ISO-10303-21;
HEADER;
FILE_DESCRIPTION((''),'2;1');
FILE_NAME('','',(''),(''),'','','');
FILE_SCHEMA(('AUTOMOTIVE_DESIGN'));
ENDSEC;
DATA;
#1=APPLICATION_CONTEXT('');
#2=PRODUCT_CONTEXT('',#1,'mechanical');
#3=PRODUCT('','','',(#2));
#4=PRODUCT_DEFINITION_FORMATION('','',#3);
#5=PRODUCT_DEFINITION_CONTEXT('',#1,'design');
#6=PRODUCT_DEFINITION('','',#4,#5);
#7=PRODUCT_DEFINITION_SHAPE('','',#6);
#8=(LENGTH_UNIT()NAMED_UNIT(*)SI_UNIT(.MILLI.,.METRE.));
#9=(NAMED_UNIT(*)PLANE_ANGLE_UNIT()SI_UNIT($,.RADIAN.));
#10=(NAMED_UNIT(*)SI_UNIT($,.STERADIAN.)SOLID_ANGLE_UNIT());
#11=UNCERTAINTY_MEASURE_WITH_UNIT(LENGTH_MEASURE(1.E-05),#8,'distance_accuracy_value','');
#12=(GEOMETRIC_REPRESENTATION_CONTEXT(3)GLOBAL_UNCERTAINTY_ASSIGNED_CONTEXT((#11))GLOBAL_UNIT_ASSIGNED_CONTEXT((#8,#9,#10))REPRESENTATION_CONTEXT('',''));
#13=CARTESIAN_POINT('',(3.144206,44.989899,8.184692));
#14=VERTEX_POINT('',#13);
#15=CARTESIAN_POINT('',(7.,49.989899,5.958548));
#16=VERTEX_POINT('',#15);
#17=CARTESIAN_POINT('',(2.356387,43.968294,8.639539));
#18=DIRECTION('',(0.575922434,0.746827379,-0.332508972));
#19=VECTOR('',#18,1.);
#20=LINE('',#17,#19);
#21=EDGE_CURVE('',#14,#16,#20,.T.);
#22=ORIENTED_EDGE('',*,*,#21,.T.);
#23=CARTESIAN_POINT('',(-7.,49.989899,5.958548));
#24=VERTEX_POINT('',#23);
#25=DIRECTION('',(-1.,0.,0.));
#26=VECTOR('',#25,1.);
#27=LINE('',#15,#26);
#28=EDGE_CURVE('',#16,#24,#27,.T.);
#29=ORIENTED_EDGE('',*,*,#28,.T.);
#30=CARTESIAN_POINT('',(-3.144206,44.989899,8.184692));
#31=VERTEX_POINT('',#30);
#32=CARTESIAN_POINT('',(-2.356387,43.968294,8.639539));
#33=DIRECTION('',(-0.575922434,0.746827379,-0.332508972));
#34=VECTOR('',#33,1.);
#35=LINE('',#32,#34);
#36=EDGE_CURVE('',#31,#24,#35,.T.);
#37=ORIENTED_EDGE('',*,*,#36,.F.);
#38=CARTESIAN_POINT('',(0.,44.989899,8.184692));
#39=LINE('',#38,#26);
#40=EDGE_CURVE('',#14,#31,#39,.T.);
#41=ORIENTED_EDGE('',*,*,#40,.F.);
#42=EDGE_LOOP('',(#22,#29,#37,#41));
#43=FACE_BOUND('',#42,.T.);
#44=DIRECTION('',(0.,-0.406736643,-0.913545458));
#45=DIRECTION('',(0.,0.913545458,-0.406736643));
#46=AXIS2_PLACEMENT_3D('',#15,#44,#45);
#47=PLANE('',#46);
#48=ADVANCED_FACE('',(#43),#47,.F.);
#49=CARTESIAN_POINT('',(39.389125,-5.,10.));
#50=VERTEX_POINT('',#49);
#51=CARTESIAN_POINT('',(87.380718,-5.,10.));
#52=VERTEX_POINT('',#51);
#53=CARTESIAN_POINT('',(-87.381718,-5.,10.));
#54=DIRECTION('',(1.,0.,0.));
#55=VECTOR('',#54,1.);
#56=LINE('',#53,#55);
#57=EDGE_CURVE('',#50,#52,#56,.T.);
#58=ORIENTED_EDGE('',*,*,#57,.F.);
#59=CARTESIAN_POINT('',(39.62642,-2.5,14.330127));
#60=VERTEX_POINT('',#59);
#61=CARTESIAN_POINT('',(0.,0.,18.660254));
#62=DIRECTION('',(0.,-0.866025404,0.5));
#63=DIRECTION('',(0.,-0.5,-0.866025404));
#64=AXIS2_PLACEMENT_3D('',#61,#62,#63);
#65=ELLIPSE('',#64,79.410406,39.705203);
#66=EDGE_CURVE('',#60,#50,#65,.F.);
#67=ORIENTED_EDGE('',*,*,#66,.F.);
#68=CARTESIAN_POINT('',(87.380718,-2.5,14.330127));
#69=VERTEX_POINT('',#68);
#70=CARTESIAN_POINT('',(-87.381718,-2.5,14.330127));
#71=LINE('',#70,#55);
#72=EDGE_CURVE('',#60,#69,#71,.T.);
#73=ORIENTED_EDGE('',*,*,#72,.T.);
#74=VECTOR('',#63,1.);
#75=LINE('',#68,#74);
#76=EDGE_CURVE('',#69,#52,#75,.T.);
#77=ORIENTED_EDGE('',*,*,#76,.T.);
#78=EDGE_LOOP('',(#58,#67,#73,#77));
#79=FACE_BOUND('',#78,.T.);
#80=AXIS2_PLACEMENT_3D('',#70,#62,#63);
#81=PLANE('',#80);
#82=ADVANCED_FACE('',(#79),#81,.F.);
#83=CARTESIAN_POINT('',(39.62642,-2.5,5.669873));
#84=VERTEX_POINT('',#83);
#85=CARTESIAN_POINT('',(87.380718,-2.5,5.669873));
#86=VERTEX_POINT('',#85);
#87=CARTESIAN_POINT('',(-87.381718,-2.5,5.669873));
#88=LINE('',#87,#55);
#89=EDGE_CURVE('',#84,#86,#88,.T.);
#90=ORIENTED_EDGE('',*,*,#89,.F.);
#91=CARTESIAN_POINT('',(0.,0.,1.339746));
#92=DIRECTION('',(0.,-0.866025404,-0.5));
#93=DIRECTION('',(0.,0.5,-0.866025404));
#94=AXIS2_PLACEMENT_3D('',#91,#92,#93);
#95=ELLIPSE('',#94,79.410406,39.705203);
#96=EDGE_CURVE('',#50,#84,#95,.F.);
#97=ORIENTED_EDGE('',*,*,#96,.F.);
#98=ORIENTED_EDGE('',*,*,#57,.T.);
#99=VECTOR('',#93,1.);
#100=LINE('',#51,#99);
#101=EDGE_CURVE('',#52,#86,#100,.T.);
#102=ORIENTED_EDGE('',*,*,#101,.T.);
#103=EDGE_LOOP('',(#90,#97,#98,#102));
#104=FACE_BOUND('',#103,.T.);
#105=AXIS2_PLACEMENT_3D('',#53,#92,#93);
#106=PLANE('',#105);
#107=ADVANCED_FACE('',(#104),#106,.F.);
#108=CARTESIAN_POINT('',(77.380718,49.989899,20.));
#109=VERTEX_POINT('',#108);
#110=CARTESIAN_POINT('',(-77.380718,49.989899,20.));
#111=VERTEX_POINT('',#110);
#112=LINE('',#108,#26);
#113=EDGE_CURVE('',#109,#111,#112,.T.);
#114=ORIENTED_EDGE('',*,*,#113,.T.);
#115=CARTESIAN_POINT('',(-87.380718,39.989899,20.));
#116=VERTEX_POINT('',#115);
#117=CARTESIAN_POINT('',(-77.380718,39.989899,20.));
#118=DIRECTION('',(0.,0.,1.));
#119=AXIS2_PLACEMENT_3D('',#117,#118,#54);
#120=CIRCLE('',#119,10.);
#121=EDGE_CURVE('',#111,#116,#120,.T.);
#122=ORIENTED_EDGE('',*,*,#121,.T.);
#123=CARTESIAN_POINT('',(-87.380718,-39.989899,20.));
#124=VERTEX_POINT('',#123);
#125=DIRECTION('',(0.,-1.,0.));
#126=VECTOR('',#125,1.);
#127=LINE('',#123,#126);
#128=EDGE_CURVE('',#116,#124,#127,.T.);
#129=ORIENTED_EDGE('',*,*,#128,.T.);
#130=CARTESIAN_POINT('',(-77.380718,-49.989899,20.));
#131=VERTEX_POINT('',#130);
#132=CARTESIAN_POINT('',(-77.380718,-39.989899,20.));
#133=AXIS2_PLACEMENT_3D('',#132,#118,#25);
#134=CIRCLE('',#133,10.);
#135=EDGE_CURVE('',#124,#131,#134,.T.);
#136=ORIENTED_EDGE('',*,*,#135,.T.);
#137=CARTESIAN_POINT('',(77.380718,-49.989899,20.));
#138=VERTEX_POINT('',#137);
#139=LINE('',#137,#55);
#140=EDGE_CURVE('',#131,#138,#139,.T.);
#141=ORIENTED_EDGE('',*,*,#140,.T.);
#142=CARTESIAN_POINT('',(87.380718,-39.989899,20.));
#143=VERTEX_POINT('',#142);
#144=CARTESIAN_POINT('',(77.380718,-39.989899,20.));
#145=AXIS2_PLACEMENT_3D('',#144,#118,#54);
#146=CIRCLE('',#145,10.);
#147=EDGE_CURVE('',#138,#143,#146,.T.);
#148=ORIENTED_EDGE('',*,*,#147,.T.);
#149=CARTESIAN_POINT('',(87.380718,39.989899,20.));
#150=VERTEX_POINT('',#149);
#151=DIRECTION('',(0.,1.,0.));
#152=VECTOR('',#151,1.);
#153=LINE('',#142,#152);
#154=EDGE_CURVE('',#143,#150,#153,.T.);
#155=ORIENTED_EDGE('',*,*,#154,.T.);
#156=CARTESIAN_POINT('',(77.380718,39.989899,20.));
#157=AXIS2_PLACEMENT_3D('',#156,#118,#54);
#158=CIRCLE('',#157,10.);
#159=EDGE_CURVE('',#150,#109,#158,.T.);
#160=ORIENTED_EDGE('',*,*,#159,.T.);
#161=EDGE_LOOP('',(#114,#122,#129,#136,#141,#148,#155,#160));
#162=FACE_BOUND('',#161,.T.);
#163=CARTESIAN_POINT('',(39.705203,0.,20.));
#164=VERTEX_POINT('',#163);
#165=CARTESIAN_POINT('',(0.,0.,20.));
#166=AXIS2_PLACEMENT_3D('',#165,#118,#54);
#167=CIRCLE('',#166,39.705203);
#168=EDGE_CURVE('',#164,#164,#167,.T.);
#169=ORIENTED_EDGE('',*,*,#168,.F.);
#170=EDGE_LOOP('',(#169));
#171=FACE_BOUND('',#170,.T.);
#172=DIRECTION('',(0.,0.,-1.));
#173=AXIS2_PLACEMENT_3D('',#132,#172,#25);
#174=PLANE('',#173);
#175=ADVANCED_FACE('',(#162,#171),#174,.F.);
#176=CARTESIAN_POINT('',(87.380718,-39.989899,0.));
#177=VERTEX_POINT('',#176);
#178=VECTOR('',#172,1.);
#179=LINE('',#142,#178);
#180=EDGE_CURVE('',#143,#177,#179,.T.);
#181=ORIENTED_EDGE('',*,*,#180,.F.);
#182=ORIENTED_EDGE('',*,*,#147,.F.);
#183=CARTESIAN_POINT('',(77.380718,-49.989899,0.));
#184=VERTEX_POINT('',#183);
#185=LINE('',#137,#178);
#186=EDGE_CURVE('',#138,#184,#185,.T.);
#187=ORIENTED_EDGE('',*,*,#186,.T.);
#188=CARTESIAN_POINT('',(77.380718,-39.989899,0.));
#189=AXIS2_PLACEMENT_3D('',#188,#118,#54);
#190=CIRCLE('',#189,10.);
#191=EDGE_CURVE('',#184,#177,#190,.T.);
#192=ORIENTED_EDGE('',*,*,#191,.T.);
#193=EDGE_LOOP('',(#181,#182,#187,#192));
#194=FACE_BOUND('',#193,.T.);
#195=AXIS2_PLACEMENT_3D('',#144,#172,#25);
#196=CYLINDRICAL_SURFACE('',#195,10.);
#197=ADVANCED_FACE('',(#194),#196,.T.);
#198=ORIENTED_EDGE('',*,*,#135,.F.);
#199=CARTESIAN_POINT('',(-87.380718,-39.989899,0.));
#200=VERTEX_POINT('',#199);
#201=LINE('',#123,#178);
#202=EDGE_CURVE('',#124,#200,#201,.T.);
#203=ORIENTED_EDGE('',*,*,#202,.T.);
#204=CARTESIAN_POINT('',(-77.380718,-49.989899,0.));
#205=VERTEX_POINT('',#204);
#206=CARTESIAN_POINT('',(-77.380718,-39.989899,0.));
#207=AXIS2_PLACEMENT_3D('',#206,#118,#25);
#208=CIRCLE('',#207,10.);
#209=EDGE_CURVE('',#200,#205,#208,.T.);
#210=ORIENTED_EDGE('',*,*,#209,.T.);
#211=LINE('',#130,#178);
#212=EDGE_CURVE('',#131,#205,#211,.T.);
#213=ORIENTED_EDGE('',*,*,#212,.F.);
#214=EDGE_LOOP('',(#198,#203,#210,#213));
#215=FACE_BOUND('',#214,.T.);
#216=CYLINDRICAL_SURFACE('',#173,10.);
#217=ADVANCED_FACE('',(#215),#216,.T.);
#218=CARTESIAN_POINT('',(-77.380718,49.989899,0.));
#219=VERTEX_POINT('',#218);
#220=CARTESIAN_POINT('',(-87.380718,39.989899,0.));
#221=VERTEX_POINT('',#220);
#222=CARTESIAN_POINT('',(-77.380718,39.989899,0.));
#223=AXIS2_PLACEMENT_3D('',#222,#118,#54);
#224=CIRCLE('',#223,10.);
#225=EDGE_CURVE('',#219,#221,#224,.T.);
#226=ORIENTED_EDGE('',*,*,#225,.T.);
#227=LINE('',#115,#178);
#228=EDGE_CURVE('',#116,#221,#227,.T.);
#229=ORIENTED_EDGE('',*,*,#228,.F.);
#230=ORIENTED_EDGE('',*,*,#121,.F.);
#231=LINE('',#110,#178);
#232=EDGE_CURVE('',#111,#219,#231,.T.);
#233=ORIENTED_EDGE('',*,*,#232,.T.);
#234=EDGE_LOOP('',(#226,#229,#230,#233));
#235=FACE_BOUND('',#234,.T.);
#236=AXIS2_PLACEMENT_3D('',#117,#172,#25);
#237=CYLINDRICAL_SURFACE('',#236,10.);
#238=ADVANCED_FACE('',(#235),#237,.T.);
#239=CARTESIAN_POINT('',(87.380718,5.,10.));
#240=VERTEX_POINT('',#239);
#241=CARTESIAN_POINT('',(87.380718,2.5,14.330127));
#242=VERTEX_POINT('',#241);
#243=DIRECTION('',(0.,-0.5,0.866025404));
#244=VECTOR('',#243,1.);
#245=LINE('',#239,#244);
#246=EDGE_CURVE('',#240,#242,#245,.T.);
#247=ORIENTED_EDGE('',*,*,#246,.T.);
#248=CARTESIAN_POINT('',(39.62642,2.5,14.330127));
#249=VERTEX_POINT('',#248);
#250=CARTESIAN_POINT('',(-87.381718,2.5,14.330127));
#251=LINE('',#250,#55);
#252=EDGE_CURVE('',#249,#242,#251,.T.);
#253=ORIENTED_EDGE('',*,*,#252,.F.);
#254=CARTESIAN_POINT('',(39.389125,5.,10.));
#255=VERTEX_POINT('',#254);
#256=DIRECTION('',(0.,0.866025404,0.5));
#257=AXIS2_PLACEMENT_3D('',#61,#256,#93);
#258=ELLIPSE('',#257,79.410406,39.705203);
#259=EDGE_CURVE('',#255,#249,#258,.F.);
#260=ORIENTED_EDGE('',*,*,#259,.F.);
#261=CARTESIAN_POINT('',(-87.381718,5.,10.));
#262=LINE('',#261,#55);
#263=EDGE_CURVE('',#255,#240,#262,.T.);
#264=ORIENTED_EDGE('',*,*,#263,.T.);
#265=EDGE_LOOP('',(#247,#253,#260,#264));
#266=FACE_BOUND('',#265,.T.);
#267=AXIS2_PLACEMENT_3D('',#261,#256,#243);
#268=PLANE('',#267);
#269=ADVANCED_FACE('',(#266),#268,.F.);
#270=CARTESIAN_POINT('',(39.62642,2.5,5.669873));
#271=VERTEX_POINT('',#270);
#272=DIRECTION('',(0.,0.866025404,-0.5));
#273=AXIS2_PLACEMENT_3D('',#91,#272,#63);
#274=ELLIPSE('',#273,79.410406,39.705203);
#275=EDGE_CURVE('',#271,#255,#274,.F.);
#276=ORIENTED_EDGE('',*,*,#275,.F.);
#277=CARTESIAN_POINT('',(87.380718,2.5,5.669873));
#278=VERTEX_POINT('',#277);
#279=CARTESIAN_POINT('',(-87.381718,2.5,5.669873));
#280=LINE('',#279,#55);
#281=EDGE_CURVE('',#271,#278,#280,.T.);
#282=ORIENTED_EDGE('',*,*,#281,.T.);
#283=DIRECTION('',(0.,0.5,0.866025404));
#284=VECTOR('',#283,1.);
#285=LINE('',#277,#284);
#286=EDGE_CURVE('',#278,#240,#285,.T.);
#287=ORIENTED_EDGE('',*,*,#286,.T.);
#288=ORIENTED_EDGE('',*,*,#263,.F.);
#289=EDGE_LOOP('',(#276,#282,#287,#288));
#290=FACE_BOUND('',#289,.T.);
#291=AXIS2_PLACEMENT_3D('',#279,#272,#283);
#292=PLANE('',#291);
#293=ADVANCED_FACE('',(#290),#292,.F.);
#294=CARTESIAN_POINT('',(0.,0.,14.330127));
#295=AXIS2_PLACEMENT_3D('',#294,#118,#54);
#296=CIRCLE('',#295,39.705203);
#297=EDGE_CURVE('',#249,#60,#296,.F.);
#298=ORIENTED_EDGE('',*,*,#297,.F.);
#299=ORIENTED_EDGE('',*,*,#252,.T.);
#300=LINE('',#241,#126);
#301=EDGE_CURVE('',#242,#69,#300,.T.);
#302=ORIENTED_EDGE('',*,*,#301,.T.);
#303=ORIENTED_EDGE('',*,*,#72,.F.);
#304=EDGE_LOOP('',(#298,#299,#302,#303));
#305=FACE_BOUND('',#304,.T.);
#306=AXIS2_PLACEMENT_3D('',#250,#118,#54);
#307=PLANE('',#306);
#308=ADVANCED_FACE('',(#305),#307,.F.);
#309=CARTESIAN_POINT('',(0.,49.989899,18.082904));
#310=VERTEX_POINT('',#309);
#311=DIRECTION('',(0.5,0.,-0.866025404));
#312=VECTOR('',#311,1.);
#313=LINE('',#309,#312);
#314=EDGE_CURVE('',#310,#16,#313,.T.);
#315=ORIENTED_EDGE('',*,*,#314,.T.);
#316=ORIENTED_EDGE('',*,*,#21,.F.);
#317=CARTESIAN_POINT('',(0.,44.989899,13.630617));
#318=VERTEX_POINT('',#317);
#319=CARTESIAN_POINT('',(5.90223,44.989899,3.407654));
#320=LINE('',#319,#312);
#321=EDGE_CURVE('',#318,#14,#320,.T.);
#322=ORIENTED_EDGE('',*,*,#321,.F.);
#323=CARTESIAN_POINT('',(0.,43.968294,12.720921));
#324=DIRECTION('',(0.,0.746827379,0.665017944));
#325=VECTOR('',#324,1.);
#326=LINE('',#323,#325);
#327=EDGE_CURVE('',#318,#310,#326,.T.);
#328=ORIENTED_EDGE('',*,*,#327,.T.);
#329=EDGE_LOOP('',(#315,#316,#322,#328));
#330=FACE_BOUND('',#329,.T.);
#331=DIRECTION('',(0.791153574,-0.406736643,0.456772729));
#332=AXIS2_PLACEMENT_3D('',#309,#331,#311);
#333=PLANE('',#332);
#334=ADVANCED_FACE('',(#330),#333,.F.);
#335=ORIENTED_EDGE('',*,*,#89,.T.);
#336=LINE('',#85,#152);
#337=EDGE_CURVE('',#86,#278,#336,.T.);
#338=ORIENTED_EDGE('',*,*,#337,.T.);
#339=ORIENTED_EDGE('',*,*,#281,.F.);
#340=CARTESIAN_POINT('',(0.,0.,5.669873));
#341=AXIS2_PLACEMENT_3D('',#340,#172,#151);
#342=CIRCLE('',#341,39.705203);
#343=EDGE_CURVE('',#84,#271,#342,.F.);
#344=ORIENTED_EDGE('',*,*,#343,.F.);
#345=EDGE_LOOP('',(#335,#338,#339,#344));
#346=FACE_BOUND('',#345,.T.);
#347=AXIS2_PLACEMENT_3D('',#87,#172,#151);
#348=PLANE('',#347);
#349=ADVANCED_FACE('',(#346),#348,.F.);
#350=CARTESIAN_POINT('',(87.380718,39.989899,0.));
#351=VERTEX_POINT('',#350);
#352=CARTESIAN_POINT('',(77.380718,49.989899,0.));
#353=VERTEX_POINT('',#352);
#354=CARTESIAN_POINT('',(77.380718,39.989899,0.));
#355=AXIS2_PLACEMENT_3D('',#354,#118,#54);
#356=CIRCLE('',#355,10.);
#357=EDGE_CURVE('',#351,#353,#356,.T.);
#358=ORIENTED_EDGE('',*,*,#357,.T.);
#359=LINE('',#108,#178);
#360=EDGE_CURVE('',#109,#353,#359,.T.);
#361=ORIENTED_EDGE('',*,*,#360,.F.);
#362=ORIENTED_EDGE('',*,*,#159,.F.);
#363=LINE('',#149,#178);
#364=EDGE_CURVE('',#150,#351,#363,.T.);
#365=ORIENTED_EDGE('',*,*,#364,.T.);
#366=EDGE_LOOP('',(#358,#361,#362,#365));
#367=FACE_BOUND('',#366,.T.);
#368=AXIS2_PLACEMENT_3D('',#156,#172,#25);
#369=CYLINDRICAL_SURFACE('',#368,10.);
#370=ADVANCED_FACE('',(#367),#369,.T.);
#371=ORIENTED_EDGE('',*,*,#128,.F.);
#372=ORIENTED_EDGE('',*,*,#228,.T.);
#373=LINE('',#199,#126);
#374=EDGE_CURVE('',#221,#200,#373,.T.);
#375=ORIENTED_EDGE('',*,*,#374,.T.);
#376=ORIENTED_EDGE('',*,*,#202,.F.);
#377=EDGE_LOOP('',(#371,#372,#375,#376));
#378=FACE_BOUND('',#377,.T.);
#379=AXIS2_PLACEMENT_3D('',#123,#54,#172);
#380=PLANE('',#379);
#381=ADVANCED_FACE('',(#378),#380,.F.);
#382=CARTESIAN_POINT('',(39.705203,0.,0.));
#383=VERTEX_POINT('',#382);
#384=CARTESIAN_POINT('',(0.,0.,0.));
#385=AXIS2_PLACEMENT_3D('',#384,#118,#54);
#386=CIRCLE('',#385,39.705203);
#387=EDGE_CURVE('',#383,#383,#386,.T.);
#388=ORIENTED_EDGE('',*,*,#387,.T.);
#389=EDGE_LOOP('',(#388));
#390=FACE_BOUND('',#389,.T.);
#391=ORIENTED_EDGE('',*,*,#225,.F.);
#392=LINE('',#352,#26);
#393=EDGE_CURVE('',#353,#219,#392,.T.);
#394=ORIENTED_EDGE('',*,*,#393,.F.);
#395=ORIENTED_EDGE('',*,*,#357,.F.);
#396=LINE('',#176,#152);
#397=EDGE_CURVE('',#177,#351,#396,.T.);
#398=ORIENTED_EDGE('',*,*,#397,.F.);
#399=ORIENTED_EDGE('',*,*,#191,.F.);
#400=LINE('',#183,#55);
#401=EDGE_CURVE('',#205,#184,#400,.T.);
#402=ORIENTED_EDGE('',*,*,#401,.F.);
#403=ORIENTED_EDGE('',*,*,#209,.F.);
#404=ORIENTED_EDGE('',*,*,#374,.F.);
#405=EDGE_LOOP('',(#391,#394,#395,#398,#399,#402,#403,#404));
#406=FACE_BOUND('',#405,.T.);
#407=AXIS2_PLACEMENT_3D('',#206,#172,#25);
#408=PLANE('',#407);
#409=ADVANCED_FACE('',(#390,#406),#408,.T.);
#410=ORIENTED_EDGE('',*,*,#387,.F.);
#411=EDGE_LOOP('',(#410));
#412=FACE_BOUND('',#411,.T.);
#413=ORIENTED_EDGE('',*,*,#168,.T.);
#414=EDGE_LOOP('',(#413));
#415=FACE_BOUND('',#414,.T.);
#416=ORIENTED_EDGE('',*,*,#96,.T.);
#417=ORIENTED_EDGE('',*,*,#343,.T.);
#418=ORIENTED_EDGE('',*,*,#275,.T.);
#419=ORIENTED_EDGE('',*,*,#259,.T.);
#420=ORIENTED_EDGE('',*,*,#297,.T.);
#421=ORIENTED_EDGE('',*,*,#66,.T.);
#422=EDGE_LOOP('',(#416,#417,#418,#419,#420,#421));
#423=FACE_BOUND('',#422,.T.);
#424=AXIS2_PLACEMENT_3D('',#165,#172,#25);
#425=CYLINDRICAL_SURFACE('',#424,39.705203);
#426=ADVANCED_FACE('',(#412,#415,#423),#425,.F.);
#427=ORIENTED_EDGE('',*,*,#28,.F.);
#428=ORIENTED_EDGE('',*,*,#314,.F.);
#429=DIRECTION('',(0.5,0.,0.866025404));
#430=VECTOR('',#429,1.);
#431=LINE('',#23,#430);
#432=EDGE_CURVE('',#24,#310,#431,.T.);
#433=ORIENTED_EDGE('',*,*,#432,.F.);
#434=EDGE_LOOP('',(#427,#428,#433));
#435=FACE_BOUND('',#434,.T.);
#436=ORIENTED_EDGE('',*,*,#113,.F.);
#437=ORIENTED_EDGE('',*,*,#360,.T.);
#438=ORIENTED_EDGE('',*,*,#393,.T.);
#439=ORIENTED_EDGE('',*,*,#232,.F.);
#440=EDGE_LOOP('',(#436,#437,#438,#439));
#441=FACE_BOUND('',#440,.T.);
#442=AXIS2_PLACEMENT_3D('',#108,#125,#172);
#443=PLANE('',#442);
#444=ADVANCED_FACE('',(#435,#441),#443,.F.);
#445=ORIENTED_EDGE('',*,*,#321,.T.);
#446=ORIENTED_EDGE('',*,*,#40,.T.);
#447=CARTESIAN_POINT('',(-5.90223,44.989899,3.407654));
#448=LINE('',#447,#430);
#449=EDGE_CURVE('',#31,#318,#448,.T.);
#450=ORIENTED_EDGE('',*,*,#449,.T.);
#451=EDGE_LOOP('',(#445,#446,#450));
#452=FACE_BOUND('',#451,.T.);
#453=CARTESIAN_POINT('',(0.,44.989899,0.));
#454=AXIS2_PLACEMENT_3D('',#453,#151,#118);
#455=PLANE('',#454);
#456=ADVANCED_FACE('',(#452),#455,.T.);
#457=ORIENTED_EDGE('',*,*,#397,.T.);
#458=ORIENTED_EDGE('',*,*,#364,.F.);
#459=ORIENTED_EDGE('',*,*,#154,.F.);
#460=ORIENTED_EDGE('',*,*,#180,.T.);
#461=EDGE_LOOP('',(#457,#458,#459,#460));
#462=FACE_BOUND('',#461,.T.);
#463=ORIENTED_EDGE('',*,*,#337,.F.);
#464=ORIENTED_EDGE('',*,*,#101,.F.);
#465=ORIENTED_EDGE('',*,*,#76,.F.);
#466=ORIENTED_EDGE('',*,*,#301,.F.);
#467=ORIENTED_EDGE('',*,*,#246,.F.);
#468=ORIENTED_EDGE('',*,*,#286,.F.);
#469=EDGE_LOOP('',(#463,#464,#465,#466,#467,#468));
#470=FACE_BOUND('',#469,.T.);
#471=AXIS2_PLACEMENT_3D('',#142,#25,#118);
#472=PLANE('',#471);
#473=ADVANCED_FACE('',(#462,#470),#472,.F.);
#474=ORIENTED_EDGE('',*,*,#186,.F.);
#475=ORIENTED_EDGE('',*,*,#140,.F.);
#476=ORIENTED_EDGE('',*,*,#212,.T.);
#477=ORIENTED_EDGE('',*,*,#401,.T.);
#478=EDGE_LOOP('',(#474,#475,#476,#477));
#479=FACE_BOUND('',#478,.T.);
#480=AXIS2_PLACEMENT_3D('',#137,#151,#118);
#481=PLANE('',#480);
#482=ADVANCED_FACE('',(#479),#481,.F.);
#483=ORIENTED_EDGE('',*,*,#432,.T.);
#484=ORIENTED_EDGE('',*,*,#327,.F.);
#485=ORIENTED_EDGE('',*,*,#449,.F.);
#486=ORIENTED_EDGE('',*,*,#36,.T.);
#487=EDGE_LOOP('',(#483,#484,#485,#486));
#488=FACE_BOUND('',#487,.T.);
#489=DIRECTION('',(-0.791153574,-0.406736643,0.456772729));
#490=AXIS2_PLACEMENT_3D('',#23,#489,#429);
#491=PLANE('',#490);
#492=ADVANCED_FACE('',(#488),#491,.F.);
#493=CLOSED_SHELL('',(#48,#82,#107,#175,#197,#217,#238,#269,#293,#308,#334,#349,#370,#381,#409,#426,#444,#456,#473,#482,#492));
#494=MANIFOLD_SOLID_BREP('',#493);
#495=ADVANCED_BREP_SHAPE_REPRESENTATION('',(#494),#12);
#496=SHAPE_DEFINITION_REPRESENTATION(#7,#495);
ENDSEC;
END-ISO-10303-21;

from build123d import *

# Parameters (mm, degrees)
SKETCH1_R               = 39.705202959
BOSS_EXTRUDE1_DEPTH     = 20
CUT_EXTRUDE1_DEPTH      = 5
CUT_EXTRUDE1_DRAFT      = -24
CUT_EXTRUDE2_REACH      = 184.868
CUT_EXTRUDE2_END_RADIUS = 39.705202959


with BuildPart() as part:
    # Sketch1 → Boss-Extrude1 (new body)
    with BuildSketch(Plane.XY):
        with BuildLine():
            Line((77.380717994, -49.989899132), (-77.380717994, -49.989899132))
            ThreePointArc((-77.380717994, -49.989899132), (-84.451785806, -47.060966943), (-87.380717994, -39.989899132))
            Line((-87.380717994, -39.989899132), (-87.380717994, 39.989899132))
            ThreePointArc((-87.380717994, 39.989899132), (-84.451785806, 47.060966943), (-77.380717994, 49.989899132))
            Line((-77.380717994, 49.989899132), (77.380717994, 49.989899132))
            ThreePointArc((77.380717994, 49.989899132), (84.451785806, 47.060966943), (87.380717994, 39.989899132))
            Line((87.380717994, 39.989899132), (87.380717994, -39.989899132))
            ThreePointArc((87.380717994, -39.989899132), (84.451785806, -47.060966943), (77.380717994, -49.989899132))
        make_face()
        Circle(SKETCH1_R, mode=Mode.SUBTRACT)
    extrude(amount=BOSS_EXTRUDE1_DEPTH)


with BuildPart() as cut_extrude1_tool:
    # Sketch2 → Cut-Extrude1 (with draft: the straight prism first)
    with BuildSketch(Plane(origin=(0, 49.989899132, 0), x_dir=(1, 0, 0), z_dir=(0, 1, 0))):
        Polygon((0, -18.082903769), (7, -5.958548116), (-7, -5.958548116), align=None)
    extrude(amount=-CUT_EXTRUDE1_DEPTH)
    # Cut-Extrude1: the draft: its side faces are tilted about the plane it starts from
    cut_extrude1_sides = [cut_extrude1_tool.faces().sort_by_distance(p)[0] for p in [
        (3.5, 47.489899132, 12.020725942),
        (0, 47.489899132, 5.958548116),
        (-3.5, 47.489899132, 12.020725942),
    ]]
    draft(cut_extrude1_sides, Plane(origin=(0, 49.989899132, 0), x_dir=(1, 0, 0), z_dir=(0, 1, 0)), CUT_EXTRUDE1_DRAFT)


with BuildPart() as part_1:
    add(part.part)

    # Cut-Extrude1: cut by cut_extrude1_tool
    add(cut_extrude1_tool.part, mode=Mode.SUBTRACT)

    # Cut-Extrude2: up to this cylinder (the profile starts outside it)
    cut_extrude2_end = Plane(origin=(0, 0, 10), z_dir=(0, 0, -1)) * Cylinder(CUT_EXTRUDE2_END_RADIUS, 450.146405919, mode=Mode.PRIVATE)
    # Sketch3 → Cut-Extrude2 (cut, up to the surface)
    with BuildSketch(Plane(origin=(87.380717994, 0, 0), x_dir=(0, 0, -1), z_dir=(1, 0, 0)), mode=Mode.PRIVATE) as cut_extrude2_sk1:
        Polygon((-10, 5), (-14.330127019, 2.5), (-14.330127019, -2.5), (-10, -5), (-5.669872981, -2.5), (-5.669872981, 2.5), align=None)
    cut_extrude2_tool1 = extrude(cut_extrude2_sk1.sketch, amount=-CUT_EXTRUDE2_REACH, mode=Mode.PRIVATE) - cut_extrude2_end
    add(cut_extrude2_tool1.solids().sort_by_distance((87.380718, 0, 10))[0], mode=Mode.SUBTRACT)


solid = part_1.part
